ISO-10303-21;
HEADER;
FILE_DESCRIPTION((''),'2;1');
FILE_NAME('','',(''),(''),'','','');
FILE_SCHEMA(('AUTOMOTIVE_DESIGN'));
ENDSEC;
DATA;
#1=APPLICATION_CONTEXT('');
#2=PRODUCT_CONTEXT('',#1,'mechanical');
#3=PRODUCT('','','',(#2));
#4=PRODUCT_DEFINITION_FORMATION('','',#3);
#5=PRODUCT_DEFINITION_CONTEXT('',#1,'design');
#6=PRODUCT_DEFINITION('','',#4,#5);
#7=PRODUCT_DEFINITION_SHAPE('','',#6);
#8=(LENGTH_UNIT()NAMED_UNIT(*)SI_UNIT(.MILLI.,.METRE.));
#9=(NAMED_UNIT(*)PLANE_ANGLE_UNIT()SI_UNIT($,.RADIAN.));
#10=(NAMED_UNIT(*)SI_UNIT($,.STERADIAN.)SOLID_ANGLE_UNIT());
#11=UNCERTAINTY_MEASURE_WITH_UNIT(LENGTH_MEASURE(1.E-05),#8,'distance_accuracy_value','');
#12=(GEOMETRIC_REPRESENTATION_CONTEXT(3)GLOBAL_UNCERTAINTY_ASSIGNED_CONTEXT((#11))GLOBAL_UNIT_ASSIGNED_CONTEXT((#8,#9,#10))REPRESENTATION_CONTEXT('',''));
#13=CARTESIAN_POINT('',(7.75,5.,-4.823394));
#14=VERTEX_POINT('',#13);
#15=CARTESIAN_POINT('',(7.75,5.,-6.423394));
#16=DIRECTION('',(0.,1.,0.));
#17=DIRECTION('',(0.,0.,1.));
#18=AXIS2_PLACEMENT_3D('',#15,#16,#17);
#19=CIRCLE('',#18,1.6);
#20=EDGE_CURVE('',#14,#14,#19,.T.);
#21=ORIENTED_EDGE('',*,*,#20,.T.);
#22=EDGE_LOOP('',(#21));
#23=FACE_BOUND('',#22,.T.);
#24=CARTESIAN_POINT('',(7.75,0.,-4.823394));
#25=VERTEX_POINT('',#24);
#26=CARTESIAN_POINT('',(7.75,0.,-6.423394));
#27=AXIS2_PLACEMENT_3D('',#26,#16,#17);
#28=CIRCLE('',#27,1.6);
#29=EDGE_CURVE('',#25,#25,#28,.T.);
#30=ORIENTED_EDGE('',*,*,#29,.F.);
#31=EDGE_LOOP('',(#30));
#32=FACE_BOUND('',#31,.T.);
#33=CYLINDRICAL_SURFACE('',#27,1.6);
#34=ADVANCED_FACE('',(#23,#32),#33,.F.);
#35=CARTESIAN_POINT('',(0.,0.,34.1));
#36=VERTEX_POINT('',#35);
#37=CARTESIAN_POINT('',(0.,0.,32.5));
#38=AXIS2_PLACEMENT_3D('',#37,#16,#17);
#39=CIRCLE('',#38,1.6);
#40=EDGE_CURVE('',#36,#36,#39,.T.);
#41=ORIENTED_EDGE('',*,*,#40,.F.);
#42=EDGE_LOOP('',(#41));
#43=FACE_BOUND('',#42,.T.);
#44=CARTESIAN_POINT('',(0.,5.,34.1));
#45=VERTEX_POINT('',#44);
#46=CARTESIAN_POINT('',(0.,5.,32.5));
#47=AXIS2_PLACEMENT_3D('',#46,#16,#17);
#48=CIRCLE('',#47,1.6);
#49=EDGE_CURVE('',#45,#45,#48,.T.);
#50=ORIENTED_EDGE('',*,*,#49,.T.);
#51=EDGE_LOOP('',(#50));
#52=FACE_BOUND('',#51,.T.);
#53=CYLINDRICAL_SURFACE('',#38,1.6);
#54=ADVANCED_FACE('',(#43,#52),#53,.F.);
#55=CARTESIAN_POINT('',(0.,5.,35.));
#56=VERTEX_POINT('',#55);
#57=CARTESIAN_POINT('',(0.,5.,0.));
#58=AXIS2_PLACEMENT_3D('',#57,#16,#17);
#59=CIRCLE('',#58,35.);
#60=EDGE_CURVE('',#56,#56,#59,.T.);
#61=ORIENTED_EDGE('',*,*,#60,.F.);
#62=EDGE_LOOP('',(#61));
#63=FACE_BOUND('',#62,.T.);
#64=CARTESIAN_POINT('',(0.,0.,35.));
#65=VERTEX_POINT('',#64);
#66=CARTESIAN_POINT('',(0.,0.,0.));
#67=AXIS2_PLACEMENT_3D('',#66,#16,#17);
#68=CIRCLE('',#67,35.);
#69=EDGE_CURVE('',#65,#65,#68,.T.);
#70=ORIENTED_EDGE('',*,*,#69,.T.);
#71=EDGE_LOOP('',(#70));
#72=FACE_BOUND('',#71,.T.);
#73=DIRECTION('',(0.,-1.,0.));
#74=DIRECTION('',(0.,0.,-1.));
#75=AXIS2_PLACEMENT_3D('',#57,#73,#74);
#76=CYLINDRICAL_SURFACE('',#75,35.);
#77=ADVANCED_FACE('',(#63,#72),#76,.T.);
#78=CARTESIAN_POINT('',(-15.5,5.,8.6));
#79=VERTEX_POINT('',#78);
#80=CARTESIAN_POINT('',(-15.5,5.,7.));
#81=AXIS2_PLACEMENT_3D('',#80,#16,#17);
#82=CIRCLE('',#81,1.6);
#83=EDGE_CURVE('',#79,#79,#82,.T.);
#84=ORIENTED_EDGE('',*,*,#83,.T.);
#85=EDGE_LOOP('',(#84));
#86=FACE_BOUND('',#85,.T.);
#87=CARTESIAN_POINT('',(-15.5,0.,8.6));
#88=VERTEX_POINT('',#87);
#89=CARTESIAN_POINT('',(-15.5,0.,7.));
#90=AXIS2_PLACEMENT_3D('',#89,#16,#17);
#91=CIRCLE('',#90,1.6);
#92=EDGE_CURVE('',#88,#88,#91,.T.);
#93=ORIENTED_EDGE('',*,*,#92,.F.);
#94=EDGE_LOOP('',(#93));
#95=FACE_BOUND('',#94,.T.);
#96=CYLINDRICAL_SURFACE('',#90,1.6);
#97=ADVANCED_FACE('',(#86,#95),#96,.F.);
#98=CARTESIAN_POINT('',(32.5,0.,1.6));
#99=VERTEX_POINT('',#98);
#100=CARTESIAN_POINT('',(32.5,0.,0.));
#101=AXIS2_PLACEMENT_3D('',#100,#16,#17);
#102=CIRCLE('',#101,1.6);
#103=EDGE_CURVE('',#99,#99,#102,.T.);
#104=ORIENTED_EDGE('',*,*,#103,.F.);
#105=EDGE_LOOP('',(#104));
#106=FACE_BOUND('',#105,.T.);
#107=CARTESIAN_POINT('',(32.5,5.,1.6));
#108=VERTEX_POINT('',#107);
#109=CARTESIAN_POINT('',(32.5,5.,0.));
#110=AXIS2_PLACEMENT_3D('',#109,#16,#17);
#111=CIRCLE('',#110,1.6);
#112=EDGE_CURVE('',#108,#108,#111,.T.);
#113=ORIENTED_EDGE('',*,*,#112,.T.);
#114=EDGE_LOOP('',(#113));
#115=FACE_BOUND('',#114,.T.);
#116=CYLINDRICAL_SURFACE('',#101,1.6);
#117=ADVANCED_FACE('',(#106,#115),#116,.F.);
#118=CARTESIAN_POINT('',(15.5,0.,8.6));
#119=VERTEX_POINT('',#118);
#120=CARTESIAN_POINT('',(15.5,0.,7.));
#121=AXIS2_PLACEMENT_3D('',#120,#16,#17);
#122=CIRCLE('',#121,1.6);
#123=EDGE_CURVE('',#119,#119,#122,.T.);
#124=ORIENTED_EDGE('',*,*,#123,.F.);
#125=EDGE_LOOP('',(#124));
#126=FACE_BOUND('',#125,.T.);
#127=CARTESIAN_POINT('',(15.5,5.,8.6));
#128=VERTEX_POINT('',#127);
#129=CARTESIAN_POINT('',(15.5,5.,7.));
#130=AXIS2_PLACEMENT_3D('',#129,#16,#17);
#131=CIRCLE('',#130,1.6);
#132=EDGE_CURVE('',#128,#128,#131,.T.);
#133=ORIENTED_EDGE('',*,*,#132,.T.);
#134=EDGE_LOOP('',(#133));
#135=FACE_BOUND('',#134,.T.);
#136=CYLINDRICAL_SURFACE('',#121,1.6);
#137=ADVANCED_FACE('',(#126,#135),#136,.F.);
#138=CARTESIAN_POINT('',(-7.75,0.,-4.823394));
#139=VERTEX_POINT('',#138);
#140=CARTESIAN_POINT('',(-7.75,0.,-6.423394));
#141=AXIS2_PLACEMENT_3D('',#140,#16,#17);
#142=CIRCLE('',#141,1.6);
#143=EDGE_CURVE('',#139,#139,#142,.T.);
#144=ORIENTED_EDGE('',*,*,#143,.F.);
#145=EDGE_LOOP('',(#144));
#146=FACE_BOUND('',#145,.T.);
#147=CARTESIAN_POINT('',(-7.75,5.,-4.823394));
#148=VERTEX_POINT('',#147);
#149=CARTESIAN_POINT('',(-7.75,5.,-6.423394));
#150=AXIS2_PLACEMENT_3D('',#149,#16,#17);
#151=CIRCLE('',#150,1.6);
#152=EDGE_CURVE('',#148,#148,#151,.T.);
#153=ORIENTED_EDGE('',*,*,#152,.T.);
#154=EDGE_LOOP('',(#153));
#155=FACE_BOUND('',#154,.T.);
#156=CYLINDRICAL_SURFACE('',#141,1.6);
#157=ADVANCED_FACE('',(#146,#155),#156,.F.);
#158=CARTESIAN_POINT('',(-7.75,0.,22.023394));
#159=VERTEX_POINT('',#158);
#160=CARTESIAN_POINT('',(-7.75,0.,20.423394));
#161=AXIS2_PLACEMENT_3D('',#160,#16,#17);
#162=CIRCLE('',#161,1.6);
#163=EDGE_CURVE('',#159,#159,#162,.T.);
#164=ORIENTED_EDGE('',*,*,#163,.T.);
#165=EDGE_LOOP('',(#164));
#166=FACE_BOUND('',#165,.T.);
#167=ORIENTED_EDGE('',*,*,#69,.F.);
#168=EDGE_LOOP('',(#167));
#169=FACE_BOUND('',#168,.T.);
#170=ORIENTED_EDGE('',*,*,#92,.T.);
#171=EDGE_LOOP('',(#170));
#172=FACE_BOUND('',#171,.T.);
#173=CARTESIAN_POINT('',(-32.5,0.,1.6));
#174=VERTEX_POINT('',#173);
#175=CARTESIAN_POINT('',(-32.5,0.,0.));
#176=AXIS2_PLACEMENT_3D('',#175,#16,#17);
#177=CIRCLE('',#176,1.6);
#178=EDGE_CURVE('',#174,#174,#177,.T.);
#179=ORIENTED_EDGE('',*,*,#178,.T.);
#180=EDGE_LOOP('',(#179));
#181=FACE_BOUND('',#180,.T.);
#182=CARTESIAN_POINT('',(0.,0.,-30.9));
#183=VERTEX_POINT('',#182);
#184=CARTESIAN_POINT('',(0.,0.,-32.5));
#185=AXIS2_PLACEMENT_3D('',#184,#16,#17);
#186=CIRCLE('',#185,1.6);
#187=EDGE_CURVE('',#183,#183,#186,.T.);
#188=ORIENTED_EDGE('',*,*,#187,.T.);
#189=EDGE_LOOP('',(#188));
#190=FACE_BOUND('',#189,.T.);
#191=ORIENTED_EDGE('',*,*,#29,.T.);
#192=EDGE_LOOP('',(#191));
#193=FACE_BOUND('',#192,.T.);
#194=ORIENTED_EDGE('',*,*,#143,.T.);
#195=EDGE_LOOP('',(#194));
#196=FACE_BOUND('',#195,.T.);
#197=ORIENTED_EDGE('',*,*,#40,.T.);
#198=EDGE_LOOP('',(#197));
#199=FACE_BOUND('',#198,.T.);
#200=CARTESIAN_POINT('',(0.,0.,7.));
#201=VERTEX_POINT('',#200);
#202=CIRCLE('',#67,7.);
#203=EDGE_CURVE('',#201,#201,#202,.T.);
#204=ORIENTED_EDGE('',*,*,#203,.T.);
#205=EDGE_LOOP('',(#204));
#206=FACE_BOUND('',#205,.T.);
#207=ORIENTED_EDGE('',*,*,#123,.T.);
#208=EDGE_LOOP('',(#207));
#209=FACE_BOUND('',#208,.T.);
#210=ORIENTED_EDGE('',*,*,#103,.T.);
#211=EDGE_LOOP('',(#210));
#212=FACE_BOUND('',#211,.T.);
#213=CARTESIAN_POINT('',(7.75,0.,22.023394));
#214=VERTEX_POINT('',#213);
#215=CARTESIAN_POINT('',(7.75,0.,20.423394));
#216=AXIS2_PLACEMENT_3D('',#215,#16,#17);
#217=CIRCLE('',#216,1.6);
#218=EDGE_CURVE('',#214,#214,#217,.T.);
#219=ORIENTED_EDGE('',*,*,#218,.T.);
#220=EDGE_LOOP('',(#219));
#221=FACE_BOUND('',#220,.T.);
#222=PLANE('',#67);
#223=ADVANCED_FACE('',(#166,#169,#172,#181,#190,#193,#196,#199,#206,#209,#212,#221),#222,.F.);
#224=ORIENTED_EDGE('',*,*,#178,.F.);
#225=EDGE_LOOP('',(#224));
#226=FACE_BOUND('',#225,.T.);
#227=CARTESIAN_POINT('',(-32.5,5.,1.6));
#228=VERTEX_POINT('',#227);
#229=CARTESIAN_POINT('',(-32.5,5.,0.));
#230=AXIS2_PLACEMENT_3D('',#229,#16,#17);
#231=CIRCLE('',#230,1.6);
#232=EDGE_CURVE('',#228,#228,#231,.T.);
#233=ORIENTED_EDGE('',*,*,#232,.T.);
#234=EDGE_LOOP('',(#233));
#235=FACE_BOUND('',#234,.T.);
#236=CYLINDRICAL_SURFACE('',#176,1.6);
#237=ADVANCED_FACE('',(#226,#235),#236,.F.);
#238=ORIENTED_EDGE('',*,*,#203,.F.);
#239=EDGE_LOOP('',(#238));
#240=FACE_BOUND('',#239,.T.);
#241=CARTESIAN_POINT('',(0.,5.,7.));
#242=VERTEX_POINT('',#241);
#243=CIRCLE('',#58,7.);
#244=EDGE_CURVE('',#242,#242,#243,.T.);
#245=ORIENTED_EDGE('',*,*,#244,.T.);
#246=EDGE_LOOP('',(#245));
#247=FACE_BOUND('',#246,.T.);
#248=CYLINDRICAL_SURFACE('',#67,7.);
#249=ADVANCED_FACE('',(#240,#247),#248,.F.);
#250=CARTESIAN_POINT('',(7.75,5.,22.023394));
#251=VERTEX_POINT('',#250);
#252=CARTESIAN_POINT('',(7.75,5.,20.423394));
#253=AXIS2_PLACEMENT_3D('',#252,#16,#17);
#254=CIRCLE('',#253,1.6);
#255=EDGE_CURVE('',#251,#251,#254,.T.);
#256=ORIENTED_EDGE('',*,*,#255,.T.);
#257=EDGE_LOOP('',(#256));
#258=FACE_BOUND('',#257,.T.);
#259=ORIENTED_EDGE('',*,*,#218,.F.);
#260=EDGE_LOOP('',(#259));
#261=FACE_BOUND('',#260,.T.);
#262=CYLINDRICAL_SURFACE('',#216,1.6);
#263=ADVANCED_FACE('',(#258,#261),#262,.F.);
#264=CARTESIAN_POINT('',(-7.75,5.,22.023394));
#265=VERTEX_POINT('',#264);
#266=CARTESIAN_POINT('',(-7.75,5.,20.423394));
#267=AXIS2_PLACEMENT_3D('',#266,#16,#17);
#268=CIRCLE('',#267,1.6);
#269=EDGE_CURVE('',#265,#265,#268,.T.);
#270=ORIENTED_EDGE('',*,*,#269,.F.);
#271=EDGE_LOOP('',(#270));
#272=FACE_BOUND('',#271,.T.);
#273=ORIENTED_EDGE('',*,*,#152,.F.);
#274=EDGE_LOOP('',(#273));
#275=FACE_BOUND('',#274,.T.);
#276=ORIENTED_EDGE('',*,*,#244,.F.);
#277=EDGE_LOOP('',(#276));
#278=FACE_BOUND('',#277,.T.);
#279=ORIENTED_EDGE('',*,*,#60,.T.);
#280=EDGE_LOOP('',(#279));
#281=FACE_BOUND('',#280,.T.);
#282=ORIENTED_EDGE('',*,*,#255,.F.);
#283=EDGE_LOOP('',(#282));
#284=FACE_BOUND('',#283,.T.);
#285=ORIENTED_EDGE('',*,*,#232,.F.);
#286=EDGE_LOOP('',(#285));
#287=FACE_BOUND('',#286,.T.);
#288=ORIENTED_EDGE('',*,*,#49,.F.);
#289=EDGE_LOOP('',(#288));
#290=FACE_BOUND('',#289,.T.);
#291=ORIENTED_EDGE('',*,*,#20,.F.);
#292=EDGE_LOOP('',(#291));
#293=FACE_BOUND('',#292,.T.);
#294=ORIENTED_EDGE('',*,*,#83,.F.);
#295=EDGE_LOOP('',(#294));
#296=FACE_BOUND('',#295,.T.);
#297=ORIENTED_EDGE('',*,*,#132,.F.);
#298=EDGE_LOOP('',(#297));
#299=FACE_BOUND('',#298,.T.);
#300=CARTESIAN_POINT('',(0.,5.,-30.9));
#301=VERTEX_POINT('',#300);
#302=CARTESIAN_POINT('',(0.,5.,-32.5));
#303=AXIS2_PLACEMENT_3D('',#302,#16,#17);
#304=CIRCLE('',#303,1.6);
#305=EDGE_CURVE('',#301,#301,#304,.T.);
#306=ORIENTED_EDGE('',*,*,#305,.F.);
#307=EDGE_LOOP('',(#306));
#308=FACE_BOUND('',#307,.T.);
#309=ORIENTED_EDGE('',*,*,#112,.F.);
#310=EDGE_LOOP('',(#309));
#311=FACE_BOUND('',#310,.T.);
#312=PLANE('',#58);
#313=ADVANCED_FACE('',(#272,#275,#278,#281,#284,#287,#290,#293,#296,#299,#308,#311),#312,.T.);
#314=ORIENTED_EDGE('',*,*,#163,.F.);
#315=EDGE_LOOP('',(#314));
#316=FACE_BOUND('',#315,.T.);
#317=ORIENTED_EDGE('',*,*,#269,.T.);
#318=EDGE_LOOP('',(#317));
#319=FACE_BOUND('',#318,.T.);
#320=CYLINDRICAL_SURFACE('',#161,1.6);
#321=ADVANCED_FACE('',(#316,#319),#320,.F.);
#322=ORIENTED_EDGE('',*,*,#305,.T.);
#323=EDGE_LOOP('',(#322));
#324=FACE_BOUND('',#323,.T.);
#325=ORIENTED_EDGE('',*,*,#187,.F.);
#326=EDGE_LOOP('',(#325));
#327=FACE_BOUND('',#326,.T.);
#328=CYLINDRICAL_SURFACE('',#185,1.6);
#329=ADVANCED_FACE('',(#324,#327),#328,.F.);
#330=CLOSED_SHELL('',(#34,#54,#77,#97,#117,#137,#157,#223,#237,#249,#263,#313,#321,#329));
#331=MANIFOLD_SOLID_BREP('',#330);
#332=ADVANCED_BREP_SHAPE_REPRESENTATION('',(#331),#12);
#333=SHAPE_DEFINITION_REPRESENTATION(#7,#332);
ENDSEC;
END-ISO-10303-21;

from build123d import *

# Parameters (mm, degrees)
SKETCH_1_R          = 35
EXTRUDE_1_DEPTH     = 5
SKETCH_3_R          = 1.6
CUT_EXTRUDE_1_DEPTH = 50.749371855
SKETCH_4_R          = 7
SKETCH_4_R_2        = 1.6
CUT_EXTRUDE_2_DEPTH = 50.749371855


with BuildPart() as part:
    # ｽｹｯﾁ1 → ﾎﾞｽ - 押し出し1 (new body)
    with BuildSketch(Plane(origin=(0, 0, 0), x_dir=(1, 0, 0), z_dir=(0, 1, 0))):
        with Locations(Location((0, 0, 0), (0, 0, 270))):
            Circle(SKETCH_1_R)
    extrude(amount=EXTRUDE_1_DEPTH)

    # ｽｹｯﾁ3 → ｶｯﾄ - 押し出し1 (cut, through all)
    with BuildSketch(Plane(origin=(0, 5, 0), x_dir=(1, 0, 0), z_dir=(0, 1, 0))):
        with Locations(Location((-32.5, 0, 0), (0, 0, 270))):
            Circle(SKETCH_3_R)
        with Locations(Location((0, 32.5, 0), (0, 0, 270))):
            Circle(SKETCH_3_R)
        with Locations(Location((32.5, 0, 0), (0, 0, 270))):
            Circle(SKETCH_3_R)
        with Locations(Location((0, -32.5, 0), (0, 0, 270))):
            Circle(SKETCH_3_R)
    extrude(amount=-CUT_EXTRUDE_1_DEPTH, mode=Mode.SUBTRACT)

    # ｽｹｯﾁ4 → ｶｯﾄ - 押し出し2 (cut, through all)
    with BuildSketch(Plane(origin=(0, 5, 0), x_dir=(1, 0, 0), z_dir=(0, 1, 0))):
        with Locations(Location((0, 0, 0), (0, 0, 270))):
            Circle(SKETCH_4_R)
        with Locations(Location((-15.5, -7, 0), (0, 0, 270))):
            Circle(SKETCH_4_R_2)
        with Locations(Location((-7.75, 6.423393759, 0), (0, 0, 270))):
            Circle(SKETCH_4_R_2)
        with Locations(Location((7.75, 6.423393759, 0), (0, 0, 270))):
            Circle(SKETCH_4_R_2)
        with Locations(Location((15.5, -7, 0), (0, 0, 270))):
            Circle(SKETCH_4_R_2)
        with Locations(Location((7.75, -20.423393759, 0), (0, 0, 270))):
            Circle(SKETCH_4_R_2)
        with Locations(Location((-7.75, -20.423393759, 0), (0, 0, 270))):
            Circle(SKETCH_4_R_2)
    extrude(amount=-CUT_EXTRUDE_2_DEPTH, mode=Mode.SUBTRACT)


solid = part.part
